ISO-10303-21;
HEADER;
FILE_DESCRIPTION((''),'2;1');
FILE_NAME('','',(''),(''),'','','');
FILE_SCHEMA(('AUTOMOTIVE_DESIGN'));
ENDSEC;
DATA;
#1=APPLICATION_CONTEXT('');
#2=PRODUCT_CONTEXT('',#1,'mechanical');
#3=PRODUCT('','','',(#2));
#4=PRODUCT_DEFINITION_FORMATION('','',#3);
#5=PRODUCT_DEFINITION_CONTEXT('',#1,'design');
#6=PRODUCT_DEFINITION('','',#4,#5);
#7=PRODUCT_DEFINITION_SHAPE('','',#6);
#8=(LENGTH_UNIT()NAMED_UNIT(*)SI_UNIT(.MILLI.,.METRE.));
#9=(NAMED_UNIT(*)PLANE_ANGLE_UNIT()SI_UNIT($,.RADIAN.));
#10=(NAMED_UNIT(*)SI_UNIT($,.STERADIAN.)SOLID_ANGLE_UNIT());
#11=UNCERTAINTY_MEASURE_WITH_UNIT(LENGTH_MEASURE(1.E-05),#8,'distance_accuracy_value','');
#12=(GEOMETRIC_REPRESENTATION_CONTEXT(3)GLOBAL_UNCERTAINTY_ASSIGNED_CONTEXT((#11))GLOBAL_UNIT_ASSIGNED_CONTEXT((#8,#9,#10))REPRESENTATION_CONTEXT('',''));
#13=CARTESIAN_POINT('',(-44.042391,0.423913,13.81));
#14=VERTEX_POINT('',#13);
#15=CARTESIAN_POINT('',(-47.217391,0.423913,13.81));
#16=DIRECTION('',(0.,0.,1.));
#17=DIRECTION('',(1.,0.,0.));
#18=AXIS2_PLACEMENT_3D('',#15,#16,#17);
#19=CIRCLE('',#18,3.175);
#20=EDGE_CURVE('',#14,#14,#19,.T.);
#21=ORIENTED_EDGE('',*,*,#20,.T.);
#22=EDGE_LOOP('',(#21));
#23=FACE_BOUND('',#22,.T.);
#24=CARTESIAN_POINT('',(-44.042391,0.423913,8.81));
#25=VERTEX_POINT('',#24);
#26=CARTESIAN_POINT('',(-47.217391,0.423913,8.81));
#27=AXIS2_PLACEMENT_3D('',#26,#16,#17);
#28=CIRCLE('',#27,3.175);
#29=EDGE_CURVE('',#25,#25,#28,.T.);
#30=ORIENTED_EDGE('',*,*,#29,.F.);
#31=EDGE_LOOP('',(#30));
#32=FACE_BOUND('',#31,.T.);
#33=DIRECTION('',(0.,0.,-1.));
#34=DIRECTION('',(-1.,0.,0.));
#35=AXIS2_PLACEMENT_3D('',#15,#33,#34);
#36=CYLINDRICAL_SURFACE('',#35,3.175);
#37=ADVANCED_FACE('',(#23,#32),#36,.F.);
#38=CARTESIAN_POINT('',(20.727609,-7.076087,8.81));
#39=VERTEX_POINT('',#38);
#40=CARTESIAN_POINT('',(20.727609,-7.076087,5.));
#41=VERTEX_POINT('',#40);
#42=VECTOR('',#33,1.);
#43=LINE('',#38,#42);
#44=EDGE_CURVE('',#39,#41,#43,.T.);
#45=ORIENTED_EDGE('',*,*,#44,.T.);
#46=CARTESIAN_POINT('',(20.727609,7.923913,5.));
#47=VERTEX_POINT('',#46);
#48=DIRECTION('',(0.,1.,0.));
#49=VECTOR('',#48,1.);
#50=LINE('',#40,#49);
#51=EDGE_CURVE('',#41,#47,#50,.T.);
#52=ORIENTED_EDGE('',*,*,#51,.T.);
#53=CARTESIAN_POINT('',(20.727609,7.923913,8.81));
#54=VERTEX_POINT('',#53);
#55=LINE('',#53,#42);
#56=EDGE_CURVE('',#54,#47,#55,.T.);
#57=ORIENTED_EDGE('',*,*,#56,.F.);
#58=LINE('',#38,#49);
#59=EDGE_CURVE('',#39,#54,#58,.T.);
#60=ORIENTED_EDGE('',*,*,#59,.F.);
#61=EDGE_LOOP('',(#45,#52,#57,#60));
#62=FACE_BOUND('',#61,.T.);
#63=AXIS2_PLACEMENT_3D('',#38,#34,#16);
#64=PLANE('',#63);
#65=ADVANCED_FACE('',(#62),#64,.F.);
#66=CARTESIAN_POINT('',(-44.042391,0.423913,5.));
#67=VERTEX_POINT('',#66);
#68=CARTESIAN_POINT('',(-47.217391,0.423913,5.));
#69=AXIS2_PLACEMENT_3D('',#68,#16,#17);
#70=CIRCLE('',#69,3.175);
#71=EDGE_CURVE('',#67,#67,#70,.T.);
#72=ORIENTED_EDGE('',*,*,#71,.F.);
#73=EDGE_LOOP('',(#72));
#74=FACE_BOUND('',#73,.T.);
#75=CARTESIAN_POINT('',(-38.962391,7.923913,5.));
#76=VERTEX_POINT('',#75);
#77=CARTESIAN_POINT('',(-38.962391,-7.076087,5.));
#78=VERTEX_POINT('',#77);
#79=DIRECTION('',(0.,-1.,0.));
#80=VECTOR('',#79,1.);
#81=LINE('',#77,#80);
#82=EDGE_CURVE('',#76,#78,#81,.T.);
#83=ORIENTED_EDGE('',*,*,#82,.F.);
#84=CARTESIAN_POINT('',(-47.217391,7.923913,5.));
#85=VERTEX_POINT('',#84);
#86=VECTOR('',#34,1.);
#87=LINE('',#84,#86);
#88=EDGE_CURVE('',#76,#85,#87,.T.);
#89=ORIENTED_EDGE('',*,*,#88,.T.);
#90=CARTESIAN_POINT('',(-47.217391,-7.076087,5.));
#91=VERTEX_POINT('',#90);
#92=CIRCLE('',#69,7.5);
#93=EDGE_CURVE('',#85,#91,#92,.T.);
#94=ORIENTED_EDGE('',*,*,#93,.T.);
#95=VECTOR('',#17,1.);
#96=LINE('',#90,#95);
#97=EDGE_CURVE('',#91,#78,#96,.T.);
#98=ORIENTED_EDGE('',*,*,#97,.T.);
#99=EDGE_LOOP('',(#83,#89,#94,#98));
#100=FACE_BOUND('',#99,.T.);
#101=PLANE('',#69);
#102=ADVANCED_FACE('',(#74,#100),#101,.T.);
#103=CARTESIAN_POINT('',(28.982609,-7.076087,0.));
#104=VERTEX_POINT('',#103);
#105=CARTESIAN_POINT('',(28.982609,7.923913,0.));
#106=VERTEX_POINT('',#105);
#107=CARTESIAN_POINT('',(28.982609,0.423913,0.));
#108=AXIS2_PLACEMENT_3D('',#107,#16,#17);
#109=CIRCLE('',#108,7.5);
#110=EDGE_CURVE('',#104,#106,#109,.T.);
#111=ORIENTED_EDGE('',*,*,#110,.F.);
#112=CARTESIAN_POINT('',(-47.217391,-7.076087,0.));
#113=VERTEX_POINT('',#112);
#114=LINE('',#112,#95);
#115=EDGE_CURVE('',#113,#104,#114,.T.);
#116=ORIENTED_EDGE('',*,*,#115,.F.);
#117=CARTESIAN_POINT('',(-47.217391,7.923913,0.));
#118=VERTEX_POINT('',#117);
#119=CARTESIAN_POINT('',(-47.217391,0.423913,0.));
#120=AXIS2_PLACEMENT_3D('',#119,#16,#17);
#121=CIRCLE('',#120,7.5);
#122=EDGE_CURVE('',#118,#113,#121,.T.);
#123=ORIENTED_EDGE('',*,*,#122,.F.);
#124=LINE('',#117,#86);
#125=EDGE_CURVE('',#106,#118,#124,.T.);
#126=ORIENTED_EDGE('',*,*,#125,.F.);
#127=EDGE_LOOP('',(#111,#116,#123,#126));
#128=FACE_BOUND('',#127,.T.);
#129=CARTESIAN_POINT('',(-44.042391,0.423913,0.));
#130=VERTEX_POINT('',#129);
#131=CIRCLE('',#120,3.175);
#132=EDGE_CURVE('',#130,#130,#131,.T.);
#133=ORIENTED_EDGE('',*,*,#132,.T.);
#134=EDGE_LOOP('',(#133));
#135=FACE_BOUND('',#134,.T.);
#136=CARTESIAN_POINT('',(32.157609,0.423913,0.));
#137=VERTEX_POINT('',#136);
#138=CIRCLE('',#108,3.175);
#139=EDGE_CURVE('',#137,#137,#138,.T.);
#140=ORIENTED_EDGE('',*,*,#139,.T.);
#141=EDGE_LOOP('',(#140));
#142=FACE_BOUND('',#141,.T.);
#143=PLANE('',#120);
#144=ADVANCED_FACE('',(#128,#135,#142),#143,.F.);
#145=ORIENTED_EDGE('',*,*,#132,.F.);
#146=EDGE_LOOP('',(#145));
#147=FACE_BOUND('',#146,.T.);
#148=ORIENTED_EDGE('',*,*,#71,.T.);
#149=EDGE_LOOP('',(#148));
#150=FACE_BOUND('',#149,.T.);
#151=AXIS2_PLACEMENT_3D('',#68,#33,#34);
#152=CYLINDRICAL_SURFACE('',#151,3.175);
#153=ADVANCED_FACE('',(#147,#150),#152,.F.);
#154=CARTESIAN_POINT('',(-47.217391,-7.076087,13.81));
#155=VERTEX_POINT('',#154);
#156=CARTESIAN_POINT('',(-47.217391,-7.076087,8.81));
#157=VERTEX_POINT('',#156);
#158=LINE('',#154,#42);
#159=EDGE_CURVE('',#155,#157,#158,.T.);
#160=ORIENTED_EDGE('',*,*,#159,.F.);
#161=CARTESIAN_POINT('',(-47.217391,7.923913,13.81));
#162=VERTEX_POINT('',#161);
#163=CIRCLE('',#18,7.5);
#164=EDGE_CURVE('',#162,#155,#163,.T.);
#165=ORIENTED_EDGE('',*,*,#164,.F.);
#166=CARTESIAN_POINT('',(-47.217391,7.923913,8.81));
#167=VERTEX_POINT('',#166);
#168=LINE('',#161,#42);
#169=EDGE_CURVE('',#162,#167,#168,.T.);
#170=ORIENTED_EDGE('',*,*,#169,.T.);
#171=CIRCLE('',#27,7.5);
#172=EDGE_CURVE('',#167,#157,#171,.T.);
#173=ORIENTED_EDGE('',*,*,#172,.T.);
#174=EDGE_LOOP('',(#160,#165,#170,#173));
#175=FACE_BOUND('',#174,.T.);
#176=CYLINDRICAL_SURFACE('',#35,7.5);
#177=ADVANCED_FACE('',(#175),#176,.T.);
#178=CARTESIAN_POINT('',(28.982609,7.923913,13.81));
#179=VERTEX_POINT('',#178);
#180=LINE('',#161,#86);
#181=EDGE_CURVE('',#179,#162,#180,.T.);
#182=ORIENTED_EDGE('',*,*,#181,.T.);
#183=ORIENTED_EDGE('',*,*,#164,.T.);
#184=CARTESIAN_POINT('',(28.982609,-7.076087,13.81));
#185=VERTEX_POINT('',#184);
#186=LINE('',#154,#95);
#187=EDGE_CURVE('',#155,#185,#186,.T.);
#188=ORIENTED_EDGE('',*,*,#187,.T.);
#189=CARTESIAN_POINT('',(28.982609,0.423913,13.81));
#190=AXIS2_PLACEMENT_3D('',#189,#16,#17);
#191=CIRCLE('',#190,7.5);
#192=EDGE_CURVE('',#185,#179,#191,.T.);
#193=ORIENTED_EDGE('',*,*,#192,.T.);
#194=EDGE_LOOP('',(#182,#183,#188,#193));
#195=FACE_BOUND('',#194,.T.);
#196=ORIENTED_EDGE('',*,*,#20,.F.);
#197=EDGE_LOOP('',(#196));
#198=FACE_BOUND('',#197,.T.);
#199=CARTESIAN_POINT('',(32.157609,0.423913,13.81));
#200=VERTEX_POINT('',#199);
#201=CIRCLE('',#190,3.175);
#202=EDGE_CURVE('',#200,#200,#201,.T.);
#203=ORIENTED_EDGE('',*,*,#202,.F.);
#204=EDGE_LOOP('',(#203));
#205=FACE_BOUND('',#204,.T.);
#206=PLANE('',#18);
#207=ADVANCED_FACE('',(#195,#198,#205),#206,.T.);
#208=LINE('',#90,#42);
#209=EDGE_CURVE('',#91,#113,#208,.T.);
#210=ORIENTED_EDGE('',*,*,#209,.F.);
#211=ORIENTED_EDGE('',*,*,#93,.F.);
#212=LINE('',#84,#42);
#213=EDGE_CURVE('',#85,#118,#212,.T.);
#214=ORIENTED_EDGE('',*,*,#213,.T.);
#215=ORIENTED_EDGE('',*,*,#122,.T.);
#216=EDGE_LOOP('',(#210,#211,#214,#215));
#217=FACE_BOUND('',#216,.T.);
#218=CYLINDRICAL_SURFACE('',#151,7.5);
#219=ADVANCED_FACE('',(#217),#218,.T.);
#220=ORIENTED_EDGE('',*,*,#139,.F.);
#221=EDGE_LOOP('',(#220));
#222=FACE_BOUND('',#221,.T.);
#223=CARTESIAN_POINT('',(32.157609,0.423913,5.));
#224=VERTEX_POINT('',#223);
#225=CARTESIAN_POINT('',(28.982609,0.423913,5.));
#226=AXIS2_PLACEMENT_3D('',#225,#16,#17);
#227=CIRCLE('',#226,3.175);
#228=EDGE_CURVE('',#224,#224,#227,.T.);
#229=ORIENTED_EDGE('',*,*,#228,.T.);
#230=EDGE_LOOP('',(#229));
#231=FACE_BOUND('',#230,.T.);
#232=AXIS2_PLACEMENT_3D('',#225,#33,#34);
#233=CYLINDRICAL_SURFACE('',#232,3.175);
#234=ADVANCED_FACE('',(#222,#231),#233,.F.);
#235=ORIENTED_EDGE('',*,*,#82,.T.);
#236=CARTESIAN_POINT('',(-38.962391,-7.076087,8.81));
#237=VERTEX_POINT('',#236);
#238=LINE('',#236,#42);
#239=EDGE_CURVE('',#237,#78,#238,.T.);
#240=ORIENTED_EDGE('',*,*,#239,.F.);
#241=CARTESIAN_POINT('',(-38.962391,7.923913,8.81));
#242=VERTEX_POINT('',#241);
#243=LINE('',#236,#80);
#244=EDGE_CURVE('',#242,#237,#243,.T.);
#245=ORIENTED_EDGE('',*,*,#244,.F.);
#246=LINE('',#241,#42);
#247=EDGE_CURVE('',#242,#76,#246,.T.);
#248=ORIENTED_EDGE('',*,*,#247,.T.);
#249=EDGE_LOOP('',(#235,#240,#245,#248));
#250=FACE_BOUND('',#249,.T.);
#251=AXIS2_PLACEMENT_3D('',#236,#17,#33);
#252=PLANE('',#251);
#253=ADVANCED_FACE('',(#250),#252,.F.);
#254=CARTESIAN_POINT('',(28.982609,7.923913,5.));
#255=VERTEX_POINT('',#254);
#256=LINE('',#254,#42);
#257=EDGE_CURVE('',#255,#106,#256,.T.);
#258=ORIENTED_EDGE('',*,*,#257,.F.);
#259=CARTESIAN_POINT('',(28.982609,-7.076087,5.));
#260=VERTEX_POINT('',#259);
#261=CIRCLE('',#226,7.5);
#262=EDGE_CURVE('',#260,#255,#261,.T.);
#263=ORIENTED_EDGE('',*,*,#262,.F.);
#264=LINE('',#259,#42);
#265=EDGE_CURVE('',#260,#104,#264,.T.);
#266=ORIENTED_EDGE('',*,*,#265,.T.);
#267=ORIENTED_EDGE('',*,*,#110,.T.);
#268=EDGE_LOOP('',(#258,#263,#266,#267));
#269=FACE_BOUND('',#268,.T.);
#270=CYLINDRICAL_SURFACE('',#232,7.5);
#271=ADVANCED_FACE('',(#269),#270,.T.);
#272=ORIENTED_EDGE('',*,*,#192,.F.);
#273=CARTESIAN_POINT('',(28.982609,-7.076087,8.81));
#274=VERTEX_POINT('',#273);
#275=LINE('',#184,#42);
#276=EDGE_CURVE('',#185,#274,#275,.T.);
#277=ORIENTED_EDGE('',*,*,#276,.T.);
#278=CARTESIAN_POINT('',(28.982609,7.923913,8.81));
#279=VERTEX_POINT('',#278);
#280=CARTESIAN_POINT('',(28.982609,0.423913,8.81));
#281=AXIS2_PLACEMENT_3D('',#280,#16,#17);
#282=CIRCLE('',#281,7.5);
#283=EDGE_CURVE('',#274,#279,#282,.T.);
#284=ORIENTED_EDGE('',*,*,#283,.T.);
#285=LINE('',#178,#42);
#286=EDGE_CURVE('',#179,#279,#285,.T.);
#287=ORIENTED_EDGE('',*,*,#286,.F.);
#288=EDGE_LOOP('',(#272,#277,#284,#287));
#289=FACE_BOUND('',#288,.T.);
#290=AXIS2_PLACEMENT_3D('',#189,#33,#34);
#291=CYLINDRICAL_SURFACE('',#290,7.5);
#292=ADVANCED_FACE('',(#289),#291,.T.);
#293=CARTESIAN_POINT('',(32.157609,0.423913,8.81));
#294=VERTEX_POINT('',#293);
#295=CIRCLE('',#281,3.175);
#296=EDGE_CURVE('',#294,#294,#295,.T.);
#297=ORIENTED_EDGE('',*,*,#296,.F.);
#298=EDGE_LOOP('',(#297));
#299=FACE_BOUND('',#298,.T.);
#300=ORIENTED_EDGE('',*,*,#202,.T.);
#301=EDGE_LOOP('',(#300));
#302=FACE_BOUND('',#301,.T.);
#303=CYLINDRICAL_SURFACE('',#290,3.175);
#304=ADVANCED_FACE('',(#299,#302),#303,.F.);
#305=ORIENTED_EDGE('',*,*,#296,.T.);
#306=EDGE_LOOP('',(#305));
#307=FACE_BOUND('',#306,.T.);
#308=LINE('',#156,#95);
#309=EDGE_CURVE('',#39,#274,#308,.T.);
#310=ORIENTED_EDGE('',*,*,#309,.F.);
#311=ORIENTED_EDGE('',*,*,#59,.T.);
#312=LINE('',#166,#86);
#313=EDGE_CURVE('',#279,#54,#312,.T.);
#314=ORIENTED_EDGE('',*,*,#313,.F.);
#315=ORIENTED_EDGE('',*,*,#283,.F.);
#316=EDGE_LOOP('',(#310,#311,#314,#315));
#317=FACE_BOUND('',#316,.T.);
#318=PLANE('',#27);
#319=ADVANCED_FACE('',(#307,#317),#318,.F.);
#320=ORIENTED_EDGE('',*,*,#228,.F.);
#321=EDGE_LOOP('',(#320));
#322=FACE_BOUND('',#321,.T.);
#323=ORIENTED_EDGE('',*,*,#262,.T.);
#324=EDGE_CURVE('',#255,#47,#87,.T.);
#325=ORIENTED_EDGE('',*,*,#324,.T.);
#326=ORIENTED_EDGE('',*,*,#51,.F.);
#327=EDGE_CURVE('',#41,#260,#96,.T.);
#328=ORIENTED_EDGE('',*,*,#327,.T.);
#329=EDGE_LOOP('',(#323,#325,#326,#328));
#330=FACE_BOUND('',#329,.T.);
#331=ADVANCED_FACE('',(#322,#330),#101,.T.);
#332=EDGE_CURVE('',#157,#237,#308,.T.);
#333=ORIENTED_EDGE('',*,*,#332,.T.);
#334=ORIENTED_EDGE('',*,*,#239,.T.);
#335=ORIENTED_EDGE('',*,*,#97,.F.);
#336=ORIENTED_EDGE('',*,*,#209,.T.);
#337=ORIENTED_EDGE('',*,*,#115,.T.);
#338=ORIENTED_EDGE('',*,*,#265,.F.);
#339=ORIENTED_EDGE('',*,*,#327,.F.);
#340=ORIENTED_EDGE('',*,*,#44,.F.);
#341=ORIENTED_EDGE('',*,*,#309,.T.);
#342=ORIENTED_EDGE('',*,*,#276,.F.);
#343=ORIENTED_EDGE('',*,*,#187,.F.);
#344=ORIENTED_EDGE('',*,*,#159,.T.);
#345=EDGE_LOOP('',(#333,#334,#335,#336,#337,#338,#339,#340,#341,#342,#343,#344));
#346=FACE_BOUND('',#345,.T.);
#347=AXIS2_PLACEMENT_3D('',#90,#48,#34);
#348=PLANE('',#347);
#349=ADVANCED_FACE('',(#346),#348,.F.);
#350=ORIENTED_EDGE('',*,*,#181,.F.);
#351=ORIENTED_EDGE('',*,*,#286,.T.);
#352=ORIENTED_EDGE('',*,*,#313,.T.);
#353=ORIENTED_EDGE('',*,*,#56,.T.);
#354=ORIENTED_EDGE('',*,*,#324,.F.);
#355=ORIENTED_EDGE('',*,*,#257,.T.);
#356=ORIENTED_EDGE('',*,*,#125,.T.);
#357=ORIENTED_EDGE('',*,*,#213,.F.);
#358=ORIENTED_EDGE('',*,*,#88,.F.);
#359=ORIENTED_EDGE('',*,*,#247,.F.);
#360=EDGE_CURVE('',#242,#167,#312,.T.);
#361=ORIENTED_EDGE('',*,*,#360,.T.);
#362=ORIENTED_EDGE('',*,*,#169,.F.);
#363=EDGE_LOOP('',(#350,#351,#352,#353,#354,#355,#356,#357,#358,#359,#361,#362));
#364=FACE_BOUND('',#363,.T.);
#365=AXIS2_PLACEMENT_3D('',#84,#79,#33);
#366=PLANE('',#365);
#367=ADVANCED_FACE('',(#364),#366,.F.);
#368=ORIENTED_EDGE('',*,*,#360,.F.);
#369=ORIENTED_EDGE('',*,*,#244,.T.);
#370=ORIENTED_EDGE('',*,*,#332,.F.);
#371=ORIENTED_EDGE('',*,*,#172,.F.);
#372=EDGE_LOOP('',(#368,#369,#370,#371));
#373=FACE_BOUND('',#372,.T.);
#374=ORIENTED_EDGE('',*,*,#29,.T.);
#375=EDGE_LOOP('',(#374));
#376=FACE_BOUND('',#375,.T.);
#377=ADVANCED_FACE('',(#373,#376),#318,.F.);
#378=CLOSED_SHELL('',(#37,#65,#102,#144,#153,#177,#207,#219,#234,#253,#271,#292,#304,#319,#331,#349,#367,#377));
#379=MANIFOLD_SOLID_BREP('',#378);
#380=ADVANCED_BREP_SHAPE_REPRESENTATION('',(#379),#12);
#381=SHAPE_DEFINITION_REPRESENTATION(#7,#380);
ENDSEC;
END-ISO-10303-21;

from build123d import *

# Parameters (mm, degrees)
SKETCH1_R           = 3.175
BOSS_EXTRUDE1_DEPTH = 5
SKETCH2_W           = 59.69
SKETCH2_H           = 15
BOSS_EXTRUDE2_DEPTH = 3.81
SKETCH5_R           = 3.175
BOSS_EXTRUDE3_DEPTH = 5


with BuildPart() as part:
    # Sketch1 → Boss-Extrude1 (new body)
    with BuildSketch(Plane.XY):
        with BuildLine():
            Line((-47.217391304, 7.923913043), (28.982608696, 7.923913043))
            ThreePointArc((28.982608696, 7.923913043), (36.482608696, 0.423913043), (28.982608696, -7.076086957))
            Line((28.982608696, -7.076086957), (-47.217391304, -7.076086957))
            ThreePointArc((-47.217391304, -7.076086957), (-54.717391304, 0.423913043), (-47.217391304, 7.923913043))
        make_face()
        with Locations((-47.217391304, 0.423913043)):
            Circle(SKETCH1_R, mode=Mode.SUBTRACT)
        with Locations((28.982608696, 0.423913043)):
            Circle(SKETCH1_R, mode=Mode.SUBTRACT)
    extrude(amount=BOSS_EXTRUDE1_DEPTH)

    # Sketch2 → Boss-Extrude2 (add)
    with BuildSketch(Plane.XY.offset(5)):
        with Locations((-9.117391304, 0.423913043)):
            Rectangle(SKETCH2_W, SKETCH2_H)
    extrude(amount=BOSS_EXTRUDE2_DEPTH)

    # Sketch5 → Boss-Extrude3 (add)
    with BuildSketch(Plane.XY.offset(8.81)):
        with BuildLine():
            Line((-47.217391304, 7.923913043), (28.982608696, 7.923913043))
            ThreePointArc((28.982608696, 7.923913043), (36.482608696, 0.423913043), (28.982608696, -7.076086957))
            Line((28.982608696, -7.076086957), (-47.217391304, -7.076086957))
            ThreePointArc((-47.217391304, -7.076086957), (-54.717391304, 0.423913043), (-47.217391304, 7.923913043))
        make_face()
        with Locations((-47.217391304, 0.423913043)):
            Circle(SKETCH5_R, mode=Mode.SUBTRACT)
        with Locations((28.982608696, 0.423913043)):
            Circle(SKETCH5_R, mode=Mode.SUBTRACT)
    extrude(amount=BOSS_EXTRUDE3_DEPTH)


solid = part.part
